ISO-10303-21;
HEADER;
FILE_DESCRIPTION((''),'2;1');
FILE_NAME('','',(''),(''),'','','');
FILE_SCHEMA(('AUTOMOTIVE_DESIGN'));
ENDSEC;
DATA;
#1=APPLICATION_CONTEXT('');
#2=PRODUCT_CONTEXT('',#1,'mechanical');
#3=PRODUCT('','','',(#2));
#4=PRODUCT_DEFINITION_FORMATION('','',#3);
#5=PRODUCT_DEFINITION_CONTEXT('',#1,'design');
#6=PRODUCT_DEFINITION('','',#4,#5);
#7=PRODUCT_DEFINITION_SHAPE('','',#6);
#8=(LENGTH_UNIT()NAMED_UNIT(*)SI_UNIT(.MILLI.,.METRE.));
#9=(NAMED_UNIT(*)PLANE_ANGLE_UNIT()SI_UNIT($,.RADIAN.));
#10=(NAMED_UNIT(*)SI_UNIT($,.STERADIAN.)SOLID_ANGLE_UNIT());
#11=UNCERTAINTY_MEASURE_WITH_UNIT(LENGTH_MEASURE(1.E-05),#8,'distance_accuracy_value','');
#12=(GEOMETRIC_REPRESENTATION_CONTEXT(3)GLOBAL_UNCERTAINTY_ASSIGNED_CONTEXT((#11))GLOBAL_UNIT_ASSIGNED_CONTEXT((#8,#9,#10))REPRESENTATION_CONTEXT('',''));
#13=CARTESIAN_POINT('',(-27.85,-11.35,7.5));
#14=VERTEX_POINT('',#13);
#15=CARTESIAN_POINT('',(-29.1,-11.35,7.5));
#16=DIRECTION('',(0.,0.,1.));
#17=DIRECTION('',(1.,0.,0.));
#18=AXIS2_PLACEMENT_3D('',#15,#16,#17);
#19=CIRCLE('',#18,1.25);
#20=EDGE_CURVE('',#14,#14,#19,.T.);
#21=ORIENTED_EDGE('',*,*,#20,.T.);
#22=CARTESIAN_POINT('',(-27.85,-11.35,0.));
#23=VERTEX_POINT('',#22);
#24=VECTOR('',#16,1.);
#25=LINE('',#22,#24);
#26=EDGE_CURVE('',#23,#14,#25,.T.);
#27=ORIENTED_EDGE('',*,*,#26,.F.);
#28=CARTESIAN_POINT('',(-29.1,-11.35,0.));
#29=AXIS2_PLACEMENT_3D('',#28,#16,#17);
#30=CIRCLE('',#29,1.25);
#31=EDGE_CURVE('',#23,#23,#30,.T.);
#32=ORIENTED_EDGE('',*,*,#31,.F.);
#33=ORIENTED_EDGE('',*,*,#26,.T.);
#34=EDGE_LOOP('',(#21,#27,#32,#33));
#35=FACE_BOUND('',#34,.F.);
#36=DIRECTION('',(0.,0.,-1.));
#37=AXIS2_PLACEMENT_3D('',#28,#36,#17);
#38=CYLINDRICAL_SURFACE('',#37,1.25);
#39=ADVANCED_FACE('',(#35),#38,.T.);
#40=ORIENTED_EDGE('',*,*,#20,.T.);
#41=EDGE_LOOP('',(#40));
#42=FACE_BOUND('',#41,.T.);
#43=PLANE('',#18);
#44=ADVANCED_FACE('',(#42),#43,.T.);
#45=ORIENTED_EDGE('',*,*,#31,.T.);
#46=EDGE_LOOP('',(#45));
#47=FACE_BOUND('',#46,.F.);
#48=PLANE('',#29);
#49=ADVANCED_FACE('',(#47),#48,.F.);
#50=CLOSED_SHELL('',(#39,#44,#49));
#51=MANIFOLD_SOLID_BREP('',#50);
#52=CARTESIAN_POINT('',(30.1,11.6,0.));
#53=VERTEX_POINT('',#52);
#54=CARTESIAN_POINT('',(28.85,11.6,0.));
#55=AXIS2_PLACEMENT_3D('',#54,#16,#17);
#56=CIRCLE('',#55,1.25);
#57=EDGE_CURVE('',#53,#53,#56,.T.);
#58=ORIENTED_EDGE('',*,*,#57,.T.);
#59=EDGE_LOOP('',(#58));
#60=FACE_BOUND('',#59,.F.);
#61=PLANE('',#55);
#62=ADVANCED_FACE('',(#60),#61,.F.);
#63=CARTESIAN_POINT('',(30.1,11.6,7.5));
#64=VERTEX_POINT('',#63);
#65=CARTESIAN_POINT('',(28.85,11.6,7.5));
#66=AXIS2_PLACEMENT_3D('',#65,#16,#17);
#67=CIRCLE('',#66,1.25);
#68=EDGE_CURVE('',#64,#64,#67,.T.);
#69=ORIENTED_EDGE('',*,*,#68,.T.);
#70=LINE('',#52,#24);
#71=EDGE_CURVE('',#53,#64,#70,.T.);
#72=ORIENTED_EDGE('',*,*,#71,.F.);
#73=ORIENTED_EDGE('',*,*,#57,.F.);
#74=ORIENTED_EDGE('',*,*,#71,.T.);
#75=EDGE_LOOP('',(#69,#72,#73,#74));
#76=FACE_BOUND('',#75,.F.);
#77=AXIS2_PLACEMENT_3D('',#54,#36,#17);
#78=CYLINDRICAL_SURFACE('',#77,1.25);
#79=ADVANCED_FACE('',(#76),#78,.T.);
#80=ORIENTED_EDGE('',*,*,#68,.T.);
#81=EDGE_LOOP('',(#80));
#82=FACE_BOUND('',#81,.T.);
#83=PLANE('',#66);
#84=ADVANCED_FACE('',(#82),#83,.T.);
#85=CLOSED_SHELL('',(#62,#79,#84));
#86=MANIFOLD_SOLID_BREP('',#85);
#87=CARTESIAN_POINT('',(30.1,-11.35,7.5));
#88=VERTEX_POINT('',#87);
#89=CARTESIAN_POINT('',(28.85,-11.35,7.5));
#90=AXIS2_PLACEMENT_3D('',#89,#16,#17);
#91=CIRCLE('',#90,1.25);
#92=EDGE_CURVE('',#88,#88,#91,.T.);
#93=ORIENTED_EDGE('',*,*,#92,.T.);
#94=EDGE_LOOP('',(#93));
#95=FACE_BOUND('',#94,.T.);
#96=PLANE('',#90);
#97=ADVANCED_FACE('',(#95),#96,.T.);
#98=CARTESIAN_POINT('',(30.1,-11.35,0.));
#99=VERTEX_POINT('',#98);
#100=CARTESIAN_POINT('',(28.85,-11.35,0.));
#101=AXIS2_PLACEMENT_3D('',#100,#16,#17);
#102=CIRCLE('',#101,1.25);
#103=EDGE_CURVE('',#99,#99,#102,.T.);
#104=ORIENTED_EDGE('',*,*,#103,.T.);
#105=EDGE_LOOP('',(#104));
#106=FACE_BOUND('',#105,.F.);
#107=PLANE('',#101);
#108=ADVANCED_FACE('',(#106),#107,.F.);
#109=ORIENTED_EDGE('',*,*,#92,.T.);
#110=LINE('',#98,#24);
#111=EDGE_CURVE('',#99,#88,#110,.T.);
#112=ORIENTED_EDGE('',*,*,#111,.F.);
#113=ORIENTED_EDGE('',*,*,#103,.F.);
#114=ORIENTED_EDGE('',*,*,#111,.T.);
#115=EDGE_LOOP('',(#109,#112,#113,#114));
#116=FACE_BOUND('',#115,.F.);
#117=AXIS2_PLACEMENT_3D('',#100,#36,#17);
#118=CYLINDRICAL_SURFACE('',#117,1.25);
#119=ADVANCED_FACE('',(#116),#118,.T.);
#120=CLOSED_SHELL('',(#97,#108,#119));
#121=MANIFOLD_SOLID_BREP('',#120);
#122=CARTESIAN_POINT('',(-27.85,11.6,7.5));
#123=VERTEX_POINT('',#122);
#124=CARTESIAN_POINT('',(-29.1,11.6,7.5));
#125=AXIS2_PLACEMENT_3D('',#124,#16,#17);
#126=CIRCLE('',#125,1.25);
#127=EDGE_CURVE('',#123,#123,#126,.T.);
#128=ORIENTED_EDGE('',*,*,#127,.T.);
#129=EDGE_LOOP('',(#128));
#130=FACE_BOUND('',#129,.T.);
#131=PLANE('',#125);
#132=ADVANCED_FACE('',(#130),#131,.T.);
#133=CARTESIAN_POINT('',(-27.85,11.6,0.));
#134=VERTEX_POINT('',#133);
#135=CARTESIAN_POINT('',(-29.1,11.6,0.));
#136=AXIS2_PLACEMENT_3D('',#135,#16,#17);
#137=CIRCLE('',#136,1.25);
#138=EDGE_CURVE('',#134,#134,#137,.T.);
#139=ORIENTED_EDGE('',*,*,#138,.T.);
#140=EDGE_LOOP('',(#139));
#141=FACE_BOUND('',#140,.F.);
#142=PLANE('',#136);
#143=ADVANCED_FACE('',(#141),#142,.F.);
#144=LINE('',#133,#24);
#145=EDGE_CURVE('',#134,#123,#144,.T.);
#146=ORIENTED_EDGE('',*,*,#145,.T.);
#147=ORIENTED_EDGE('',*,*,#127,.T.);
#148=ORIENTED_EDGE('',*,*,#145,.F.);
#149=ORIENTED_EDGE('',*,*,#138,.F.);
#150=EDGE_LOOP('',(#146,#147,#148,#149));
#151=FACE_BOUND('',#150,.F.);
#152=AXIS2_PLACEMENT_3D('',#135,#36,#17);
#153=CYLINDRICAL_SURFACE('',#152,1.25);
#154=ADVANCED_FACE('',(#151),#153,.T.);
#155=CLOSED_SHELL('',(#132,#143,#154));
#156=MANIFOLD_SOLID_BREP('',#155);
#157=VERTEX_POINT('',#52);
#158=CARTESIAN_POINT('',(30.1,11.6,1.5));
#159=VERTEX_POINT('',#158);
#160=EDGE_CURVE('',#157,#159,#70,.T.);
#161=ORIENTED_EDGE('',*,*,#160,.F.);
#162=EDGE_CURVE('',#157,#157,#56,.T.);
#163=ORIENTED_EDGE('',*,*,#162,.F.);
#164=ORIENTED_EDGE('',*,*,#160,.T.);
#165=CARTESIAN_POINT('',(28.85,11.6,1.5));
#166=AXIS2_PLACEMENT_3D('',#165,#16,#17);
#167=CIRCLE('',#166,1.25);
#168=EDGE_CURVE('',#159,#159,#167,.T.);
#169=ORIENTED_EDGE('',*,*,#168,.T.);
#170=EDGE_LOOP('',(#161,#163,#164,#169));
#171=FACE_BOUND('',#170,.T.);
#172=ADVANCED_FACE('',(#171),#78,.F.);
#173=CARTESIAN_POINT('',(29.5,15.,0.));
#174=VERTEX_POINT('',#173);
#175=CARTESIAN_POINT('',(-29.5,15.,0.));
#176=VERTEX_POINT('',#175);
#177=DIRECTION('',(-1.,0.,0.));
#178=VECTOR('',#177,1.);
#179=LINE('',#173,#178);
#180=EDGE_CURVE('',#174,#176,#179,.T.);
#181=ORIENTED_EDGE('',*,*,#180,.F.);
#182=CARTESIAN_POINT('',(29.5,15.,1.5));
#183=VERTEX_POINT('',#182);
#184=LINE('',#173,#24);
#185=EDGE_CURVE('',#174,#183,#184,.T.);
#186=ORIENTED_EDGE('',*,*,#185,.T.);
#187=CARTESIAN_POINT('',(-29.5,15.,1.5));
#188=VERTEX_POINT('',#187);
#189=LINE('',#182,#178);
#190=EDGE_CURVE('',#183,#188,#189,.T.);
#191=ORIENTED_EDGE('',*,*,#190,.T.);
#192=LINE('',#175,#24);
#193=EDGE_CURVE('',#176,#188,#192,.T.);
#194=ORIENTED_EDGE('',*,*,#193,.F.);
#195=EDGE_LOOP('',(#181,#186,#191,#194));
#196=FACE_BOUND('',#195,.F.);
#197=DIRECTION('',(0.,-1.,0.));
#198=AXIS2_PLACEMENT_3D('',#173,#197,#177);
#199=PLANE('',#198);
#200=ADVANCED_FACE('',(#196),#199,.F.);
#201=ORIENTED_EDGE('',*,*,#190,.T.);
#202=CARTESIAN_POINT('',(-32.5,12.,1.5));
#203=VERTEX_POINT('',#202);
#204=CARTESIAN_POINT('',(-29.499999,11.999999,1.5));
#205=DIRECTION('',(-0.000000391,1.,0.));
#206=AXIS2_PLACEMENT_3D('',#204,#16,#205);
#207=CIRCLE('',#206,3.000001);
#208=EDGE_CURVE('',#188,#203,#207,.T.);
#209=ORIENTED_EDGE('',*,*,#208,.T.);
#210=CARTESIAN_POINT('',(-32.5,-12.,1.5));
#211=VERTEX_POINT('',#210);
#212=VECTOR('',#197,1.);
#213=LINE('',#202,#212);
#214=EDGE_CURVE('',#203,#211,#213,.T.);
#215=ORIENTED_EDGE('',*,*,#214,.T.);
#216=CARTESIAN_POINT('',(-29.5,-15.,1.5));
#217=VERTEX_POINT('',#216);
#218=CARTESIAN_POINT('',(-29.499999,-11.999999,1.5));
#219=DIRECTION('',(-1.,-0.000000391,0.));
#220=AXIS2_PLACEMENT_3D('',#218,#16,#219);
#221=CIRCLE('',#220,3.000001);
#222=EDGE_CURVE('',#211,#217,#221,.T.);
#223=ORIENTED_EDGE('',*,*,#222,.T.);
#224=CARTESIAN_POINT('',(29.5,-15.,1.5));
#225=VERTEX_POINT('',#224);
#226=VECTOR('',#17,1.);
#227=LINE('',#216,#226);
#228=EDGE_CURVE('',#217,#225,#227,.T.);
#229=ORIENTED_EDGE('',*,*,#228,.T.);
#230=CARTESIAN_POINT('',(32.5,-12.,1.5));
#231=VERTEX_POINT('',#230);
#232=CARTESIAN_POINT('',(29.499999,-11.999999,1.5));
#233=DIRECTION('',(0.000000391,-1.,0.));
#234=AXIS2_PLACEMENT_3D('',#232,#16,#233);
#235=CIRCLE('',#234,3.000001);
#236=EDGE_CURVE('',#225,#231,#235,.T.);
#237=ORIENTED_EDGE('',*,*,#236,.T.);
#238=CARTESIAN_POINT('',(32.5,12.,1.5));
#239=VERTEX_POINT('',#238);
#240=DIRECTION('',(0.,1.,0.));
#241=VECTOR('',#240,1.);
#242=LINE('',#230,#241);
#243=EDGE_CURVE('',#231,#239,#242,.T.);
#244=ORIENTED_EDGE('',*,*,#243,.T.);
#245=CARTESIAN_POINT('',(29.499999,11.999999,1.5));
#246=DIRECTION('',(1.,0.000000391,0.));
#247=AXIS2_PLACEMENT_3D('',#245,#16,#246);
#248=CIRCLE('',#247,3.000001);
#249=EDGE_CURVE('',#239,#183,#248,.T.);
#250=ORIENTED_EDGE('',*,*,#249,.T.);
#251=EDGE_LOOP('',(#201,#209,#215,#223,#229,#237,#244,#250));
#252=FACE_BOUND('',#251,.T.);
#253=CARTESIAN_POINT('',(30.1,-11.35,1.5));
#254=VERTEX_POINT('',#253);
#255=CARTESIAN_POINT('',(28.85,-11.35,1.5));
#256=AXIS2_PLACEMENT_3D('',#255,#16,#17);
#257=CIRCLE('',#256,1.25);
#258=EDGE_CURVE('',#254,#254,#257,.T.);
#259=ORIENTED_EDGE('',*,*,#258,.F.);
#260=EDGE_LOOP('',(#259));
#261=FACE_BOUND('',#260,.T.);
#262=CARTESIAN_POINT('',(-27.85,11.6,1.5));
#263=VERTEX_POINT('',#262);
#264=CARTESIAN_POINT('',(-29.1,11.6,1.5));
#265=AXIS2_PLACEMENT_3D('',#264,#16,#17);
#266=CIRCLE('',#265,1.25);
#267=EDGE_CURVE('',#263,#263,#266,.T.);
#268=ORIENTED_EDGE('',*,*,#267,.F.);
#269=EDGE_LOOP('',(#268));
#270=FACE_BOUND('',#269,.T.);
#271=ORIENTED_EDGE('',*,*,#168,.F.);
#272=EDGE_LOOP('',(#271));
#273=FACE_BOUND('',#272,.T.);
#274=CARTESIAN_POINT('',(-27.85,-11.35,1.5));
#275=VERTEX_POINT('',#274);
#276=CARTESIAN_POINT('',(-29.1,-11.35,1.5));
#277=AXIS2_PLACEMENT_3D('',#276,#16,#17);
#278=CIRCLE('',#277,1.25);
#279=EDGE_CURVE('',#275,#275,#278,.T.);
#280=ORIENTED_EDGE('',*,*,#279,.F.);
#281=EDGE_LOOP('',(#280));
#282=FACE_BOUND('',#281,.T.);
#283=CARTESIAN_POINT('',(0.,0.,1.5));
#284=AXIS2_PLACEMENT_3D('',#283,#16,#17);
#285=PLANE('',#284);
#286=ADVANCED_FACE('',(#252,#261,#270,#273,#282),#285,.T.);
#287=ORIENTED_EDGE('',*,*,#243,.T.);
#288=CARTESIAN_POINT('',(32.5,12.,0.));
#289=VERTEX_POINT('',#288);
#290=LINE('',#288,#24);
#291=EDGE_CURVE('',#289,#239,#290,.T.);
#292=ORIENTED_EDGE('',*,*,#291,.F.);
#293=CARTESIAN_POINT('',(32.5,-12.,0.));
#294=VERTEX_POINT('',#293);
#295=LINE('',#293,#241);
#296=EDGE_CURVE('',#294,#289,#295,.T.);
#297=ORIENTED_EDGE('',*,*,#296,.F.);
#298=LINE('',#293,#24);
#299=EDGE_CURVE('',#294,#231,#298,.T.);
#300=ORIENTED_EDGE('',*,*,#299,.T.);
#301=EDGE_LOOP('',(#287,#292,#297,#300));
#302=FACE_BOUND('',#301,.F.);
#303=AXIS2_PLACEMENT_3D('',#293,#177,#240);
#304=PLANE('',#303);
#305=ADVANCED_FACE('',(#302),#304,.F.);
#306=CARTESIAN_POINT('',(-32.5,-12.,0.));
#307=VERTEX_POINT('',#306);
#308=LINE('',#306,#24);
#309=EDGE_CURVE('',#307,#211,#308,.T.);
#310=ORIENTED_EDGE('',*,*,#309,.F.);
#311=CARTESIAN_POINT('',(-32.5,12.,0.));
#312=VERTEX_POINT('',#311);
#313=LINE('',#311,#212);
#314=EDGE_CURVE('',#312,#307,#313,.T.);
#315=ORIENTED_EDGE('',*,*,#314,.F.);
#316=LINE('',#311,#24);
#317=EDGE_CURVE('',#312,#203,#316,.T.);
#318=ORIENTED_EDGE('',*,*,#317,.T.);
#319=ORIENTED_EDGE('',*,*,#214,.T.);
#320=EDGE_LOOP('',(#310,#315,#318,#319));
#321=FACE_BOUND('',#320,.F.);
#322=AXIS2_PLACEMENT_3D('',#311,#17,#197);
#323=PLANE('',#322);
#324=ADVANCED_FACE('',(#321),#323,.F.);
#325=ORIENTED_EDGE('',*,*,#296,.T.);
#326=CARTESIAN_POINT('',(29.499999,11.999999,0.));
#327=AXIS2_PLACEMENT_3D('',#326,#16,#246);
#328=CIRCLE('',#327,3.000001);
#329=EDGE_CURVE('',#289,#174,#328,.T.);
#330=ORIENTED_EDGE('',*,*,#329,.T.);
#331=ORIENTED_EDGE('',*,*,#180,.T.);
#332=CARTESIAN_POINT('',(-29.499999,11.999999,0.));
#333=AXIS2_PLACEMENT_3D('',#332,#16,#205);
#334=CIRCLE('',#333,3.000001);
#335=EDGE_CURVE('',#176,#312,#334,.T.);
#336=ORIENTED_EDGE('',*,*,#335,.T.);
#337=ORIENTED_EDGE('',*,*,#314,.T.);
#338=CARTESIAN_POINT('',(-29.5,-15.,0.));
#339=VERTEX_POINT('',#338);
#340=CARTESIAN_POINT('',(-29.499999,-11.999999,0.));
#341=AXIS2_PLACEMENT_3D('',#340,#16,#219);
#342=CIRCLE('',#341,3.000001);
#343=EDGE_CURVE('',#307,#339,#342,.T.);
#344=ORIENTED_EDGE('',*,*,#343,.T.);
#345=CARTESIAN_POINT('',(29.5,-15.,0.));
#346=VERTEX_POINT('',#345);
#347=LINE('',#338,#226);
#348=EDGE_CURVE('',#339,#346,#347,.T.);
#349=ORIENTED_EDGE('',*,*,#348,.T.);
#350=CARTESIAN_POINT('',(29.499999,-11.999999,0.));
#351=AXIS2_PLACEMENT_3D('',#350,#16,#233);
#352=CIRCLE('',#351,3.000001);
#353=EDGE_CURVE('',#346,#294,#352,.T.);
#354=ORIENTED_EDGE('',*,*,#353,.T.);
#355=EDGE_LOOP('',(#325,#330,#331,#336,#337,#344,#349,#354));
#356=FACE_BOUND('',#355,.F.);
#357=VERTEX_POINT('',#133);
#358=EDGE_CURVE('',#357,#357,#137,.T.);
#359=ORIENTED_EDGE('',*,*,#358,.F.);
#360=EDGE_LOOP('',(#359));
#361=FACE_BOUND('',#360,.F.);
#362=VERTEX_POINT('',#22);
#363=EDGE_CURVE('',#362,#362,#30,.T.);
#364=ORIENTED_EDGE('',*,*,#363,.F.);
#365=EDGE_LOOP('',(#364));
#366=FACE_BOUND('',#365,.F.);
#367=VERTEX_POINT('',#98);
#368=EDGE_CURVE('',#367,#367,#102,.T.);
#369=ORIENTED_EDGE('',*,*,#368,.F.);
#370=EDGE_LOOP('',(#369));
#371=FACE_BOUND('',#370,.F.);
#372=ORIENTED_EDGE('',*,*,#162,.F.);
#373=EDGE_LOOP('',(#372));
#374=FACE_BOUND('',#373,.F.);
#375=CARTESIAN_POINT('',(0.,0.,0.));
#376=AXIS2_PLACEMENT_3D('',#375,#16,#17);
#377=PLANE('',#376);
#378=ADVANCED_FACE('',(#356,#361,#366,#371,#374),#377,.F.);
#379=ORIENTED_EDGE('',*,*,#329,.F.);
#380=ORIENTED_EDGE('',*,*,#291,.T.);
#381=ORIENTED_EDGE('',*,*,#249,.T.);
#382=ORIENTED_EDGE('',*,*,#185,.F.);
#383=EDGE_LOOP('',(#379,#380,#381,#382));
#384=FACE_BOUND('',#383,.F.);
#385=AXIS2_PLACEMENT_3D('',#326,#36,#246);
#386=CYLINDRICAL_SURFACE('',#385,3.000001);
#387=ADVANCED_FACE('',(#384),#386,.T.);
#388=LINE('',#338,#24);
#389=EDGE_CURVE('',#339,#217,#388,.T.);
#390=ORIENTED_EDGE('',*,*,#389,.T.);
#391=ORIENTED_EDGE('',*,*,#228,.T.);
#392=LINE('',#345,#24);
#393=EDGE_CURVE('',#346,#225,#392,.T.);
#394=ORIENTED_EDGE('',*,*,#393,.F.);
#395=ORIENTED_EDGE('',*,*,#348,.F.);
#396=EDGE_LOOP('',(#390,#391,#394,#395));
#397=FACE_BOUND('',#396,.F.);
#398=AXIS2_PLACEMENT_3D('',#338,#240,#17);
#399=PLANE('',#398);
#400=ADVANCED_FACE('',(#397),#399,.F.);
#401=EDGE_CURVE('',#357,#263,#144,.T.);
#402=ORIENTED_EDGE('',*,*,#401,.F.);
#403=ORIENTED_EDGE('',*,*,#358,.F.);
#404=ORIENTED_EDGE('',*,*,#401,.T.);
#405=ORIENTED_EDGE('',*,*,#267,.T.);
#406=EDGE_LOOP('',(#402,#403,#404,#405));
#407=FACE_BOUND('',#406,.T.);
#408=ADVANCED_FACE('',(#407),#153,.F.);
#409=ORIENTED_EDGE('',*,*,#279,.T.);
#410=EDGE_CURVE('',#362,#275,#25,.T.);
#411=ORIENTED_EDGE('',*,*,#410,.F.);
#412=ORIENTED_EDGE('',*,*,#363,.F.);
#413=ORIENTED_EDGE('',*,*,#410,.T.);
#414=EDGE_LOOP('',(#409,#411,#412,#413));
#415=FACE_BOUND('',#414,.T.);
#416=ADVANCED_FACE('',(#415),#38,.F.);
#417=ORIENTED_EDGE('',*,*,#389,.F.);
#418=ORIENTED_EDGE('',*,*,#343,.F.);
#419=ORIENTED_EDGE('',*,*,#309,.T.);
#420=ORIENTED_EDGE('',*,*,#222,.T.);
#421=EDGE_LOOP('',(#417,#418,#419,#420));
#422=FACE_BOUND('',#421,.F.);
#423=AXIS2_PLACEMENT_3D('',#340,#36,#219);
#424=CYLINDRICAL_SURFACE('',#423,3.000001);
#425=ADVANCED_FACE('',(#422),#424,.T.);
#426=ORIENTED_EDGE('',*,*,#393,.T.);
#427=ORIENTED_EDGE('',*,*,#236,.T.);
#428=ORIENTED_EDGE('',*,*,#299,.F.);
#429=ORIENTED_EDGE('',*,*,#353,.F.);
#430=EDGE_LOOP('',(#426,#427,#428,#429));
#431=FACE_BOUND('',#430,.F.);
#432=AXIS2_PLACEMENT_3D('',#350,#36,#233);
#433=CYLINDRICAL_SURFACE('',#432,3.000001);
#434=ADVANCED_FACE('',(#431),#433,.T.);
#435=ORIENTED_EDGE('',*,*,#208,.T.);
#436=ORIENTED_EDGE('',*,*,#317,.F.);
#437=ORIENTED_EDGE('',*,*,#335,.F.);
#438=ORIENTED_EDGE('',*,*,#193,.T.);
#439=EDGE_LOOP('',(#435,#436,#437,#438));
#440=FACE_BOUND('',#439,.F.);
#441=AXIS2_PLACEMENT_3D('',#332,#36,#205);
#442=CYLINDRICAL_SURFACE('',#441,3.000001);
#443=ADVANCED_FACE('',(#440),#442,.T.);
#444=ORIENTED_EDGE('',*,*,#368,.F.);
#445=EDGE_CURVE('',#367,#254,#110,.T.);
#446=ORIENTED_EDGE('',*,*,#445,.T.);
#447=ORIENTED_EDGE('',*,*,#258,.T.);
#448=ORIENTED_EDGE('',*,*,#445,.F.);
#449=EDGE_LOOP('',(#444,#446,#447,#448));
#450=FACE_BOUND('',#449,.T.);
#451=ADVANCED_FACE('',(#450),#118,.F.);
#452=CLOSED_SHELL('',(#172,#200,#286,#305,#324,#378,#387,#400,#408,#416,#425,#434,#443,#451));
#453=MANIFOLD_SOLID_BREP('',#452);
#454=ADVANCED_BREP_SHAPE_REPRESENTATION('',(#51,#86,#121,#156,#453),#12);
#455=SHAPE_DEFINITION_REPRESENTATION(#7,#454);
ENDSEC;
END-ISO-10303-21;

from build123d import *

# Parameters (mm, degrees)
F0_R     = 1.25
F1_DEPTH = 7.5
F2_DEPTH = 1.5


with BuildPart() as f1:
    # F0 (on Top) → F1 (new body)
    with BuildSketch(Plane.XY):
        with Locations((-29.1, -11.35)):
            Circle(F0_R)
        with Locations((-29.1, 11.6)):
            Circle(F0_R)
        with Locations((28.85, 11.6)):
            Circle(F0_R)
        with Locations((28.85, -11.35)):
            Circle(F0_R)
    extrude(amount=F1_DEPTH)


with BuildPart() as f2:
    # F0 (on Top) → F2 (new body)
    with BuildSketch(Plane.XY):
        with BuildLine():
            Line((-29.5, -15), (29.5, -15))
            ThreePointArc((29.5, -15), (31.62132, -14.12132), (32.5, -12))
            Line((32.5, -12), (32.5, 12))
            ThreePointArc((32.5, 12), (31.62132, 14.12132), (29.5, 15))
            Line((29.5, 15), (-29.5, 15))
            ThreePointArc((-29.5, 15), (-31.62132, 14.12132), (-32.5, 12))
            Line((-32.5, 12), (-32.5, -12))
            ThreePointArc((-32.5, -12), (-31.62132, -14.12132), (-29.5, -15))
        make_face()
        with Locations((-29.1, -11.35)):
            Circle(F0_R, mode=Mode.SUBTRACT)
        with Locations((28.85, -11.35)):
            Circle(F0_R, mode=Mode.SUBTRACT)
        with Locations((-29.1, 11.6)):
            Circle(F0_R, mode=Mode.SUBTRACT)
        with Locations((28.85, 11.6)):
            Circle(F0_R, mode=Mode.SUBTRACT)
    extrude(amount=F2_DEPTH)


solid = Compound([f1.part, f2.part])
